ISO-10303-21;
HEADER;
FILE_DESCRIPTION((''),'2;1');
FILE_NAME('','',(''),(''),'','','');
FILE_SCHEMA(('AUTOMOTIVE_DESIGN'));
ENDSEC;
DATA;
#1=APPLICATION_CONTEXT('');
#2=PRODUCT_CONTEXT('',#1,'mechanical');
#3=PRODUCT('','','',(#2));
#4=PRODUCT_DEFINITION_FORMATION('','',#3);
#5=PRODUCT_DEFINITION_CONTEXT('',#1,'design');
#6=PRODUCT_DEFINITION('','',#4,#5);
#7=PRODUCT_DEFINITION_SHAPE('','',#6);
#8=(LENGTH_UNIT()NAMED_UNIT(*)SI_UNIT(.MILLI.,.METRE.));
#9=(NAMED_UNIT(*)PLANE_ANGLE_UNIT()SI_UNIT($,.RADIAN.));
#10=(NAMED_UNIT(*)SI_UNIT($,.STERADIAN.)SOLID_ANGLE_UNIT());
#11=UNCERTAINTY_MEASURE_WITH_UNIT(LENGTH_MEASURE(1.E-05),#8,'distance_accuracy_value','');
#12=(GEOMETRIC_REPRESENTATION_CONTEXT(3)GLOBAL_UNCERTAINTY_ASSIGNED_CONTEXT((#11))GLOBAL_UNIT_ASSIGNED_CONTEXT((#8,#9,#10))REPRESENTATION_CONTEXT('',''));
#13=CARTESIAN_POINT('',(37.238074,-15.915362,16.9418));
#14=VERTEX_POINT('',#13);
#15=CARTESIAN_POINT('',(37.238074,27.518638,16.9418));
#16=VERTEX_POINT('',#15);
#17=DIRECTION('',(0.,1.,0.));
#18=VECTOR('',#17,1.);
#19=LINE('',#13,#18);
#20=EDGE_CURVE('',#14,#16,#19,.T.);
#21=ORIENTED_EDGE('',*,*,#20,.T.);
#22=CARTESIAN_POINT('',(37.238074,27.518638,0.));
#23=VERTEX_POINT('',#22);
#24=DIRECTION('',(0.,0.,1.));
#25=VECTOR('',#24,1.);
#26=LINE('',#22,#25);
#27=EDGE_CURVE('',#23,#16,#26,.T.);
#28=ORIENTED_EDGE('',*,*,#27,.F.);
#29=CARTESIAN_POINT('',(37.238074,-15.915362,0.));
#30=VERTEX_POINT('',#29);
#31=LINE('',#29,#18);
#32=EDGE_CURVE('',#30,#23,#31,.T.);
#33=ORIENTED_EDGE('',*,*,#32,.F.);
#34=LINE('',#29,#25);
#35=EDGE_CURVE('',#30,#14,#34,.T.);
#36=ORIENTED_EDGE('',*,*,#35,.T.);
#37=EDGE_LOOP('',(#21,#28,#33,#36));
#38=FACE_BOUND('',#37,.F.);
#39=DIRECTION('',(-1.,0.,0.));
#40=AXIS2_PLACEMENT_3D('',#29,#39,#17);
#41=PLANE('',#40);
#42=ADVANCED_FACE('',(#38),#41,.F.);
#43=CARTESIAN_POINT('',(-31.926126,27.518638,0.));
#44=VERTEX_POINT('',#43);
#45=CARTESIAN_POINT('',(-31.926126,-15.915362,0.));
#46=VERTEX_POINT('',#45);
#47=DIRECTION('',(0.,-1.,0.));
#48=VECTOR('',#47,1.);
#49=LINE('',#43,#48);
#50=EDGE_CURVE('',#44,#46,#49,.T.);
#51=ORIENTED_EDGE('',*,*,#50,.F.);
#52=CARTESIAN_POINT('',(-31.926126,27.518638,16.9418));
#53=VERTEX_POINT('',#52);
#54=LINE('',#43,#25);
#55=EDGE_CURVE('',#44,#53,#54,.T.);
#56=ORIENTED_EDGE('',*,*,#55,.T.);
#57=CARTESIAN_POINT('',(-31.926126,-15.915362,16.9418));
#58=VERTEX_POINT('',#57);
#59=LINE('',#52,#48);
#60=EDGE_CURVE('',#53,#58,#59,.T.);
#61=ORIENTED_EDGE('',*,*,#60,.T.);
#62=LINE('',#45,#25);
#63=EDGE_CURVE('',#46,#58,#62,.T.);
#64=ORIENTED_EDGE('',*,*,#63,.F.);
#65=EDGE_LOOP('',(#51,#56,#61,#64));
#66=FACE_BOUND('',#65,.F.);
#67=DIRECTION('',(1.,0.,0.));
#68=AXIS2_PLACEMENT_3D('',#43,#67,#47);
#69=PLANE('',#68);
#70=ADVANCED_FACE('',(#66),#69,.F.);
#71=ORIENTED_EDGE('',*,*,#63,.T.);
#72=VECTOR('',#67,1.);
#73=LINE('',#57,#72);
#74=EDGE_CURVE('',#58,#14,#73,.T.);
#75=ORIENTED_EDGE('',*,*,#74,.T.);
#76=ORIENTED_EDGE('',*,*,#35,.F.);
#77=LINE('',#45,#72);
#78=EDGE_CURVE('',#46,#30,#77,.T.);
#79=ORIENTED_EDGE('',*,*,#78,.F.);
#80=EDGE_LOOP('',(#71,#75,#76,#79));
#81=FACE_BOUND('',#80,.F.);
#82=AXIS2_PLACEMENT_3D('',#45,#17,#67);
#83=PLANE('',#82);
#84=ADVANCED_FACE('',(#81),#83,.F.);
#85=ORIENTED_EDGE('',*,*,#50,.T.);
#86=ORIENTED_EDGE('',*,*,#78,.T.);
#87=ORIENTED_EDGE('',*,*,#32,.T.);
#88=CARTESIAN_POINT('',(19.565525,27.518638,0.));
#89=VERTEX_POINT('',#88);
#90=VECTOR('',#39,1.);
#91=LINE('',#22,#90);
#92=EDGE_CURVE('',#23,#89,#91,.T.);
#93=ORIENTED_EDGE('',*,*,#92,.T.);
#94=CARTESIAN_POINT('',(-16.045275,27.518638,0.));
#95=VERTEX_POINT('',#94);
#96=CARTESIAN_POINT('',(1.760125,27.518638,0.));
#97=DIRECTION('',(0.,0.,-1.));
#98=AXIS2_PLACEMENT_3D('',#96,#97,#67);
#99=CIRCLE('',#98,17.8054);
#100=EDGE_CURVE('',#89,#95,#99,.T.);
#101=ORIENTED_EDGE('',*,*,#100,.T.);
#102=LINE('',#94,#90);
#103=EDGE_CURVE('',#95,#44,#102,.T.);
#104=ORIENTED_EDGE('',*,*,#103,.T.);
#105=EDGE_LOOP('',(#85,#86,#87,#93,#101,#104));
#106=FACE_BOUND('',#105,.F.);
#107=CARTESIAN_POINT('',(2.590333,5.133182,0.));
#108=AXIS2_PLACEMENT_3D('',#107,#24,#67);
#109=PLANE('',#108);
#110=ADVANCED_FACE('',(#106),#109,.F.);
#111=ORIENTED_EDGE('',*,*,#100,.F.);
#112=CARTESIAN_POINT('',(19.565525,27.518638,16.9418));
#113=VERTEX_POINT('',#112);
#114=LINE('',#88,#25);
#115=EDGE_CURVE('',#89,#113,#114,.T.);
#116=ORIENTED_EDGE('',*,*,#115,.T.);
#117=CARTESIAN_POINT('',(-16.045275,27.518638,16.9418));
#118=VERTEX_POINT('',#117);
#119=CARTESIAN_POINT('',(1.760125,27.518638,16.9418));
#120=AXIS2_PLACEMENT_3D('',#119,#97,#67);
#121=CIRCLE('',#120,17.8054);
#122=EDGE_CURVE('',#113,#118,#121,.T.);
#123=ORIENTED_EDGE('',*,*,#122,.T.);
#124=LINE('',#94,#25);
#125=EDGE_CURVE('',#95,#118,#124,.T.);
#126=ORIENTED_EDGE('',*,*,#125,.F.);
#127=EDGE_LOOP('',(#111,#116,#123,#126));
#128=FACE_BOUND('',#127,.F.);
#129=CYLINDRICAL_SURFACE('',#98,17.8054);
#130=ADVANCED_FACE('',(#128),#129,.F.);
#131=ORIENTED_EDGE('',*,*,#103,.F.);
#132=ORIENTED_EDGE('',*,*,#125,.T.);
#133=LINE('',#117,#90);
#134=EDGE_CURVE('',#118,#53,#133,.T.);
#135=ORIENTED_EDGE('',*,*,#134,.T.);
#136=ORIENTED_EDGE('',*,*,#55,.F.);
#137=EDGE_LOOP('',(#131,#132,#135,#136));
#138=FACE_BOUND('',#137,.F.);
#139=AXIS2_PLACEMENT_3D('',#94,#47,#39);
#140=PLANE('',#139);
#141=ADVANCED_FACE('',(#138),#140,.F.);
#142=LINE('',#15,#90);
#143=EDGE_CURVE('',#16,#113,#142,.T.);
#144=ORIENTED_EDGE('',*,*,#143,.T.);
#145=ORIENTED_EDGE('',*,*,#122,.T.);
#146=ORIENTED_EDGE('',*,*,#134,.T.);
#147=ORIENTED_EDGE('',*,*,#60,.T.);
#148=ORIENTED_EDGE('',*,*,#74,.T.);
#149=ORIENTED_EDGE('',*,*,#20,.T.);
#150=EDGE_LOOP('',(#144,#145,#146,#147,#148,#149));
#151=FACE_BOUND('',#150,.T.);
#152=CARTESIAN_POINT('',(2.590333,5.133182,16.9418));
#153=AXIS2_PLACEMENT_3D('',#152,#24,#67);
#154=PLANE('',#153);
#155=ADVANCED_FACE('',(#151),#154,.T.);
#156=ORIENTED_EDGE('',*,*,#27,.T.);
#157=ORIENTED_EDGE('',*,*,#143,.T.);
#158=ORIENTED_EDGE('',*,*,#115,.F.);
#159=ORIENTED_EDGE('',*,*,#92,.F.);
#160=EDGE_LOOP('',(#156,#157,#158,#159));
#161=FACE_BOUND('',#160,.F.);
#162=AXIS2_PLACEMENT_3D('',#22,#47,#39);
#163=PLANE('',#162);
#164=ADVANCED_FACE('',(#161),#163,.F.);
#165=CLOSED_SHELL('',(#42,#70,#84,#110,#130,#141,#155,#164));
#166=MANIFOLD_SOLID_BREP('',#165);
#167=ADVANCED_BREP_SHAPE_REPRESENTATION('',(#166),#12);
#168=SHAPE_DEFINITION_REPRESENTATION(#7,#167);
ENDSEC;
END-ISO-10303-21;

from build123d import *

# Parameters (mm, degrees)
F1_DEPTH = 16.9418


with BuildPart() as f1:
    # F0 (on Top) → F1 (new body)
    with BuildSketch(Plane.XY):
        with BuildLine():
            Line((37.238074, 27.518638), (19.565525, 27.518638))
            ThreePointArc((19.565525, 27.518638), (1.760125, 9.713238), (-16.045275, 27.518638))
            Line((-16.045275, 27.518638), (-31.926126, 27.518638))
            Line((-31.926126, 27.518638), (-31.926126, -15.915362))
            Line((-31.926126, -15.915362), (37.238074, -15.915362))
            Line((37.238074, -15.915362), (37.238074, 27.518638))
        make_face()
    extrude(amount=F1_DEPTH)


solid = f1.part
